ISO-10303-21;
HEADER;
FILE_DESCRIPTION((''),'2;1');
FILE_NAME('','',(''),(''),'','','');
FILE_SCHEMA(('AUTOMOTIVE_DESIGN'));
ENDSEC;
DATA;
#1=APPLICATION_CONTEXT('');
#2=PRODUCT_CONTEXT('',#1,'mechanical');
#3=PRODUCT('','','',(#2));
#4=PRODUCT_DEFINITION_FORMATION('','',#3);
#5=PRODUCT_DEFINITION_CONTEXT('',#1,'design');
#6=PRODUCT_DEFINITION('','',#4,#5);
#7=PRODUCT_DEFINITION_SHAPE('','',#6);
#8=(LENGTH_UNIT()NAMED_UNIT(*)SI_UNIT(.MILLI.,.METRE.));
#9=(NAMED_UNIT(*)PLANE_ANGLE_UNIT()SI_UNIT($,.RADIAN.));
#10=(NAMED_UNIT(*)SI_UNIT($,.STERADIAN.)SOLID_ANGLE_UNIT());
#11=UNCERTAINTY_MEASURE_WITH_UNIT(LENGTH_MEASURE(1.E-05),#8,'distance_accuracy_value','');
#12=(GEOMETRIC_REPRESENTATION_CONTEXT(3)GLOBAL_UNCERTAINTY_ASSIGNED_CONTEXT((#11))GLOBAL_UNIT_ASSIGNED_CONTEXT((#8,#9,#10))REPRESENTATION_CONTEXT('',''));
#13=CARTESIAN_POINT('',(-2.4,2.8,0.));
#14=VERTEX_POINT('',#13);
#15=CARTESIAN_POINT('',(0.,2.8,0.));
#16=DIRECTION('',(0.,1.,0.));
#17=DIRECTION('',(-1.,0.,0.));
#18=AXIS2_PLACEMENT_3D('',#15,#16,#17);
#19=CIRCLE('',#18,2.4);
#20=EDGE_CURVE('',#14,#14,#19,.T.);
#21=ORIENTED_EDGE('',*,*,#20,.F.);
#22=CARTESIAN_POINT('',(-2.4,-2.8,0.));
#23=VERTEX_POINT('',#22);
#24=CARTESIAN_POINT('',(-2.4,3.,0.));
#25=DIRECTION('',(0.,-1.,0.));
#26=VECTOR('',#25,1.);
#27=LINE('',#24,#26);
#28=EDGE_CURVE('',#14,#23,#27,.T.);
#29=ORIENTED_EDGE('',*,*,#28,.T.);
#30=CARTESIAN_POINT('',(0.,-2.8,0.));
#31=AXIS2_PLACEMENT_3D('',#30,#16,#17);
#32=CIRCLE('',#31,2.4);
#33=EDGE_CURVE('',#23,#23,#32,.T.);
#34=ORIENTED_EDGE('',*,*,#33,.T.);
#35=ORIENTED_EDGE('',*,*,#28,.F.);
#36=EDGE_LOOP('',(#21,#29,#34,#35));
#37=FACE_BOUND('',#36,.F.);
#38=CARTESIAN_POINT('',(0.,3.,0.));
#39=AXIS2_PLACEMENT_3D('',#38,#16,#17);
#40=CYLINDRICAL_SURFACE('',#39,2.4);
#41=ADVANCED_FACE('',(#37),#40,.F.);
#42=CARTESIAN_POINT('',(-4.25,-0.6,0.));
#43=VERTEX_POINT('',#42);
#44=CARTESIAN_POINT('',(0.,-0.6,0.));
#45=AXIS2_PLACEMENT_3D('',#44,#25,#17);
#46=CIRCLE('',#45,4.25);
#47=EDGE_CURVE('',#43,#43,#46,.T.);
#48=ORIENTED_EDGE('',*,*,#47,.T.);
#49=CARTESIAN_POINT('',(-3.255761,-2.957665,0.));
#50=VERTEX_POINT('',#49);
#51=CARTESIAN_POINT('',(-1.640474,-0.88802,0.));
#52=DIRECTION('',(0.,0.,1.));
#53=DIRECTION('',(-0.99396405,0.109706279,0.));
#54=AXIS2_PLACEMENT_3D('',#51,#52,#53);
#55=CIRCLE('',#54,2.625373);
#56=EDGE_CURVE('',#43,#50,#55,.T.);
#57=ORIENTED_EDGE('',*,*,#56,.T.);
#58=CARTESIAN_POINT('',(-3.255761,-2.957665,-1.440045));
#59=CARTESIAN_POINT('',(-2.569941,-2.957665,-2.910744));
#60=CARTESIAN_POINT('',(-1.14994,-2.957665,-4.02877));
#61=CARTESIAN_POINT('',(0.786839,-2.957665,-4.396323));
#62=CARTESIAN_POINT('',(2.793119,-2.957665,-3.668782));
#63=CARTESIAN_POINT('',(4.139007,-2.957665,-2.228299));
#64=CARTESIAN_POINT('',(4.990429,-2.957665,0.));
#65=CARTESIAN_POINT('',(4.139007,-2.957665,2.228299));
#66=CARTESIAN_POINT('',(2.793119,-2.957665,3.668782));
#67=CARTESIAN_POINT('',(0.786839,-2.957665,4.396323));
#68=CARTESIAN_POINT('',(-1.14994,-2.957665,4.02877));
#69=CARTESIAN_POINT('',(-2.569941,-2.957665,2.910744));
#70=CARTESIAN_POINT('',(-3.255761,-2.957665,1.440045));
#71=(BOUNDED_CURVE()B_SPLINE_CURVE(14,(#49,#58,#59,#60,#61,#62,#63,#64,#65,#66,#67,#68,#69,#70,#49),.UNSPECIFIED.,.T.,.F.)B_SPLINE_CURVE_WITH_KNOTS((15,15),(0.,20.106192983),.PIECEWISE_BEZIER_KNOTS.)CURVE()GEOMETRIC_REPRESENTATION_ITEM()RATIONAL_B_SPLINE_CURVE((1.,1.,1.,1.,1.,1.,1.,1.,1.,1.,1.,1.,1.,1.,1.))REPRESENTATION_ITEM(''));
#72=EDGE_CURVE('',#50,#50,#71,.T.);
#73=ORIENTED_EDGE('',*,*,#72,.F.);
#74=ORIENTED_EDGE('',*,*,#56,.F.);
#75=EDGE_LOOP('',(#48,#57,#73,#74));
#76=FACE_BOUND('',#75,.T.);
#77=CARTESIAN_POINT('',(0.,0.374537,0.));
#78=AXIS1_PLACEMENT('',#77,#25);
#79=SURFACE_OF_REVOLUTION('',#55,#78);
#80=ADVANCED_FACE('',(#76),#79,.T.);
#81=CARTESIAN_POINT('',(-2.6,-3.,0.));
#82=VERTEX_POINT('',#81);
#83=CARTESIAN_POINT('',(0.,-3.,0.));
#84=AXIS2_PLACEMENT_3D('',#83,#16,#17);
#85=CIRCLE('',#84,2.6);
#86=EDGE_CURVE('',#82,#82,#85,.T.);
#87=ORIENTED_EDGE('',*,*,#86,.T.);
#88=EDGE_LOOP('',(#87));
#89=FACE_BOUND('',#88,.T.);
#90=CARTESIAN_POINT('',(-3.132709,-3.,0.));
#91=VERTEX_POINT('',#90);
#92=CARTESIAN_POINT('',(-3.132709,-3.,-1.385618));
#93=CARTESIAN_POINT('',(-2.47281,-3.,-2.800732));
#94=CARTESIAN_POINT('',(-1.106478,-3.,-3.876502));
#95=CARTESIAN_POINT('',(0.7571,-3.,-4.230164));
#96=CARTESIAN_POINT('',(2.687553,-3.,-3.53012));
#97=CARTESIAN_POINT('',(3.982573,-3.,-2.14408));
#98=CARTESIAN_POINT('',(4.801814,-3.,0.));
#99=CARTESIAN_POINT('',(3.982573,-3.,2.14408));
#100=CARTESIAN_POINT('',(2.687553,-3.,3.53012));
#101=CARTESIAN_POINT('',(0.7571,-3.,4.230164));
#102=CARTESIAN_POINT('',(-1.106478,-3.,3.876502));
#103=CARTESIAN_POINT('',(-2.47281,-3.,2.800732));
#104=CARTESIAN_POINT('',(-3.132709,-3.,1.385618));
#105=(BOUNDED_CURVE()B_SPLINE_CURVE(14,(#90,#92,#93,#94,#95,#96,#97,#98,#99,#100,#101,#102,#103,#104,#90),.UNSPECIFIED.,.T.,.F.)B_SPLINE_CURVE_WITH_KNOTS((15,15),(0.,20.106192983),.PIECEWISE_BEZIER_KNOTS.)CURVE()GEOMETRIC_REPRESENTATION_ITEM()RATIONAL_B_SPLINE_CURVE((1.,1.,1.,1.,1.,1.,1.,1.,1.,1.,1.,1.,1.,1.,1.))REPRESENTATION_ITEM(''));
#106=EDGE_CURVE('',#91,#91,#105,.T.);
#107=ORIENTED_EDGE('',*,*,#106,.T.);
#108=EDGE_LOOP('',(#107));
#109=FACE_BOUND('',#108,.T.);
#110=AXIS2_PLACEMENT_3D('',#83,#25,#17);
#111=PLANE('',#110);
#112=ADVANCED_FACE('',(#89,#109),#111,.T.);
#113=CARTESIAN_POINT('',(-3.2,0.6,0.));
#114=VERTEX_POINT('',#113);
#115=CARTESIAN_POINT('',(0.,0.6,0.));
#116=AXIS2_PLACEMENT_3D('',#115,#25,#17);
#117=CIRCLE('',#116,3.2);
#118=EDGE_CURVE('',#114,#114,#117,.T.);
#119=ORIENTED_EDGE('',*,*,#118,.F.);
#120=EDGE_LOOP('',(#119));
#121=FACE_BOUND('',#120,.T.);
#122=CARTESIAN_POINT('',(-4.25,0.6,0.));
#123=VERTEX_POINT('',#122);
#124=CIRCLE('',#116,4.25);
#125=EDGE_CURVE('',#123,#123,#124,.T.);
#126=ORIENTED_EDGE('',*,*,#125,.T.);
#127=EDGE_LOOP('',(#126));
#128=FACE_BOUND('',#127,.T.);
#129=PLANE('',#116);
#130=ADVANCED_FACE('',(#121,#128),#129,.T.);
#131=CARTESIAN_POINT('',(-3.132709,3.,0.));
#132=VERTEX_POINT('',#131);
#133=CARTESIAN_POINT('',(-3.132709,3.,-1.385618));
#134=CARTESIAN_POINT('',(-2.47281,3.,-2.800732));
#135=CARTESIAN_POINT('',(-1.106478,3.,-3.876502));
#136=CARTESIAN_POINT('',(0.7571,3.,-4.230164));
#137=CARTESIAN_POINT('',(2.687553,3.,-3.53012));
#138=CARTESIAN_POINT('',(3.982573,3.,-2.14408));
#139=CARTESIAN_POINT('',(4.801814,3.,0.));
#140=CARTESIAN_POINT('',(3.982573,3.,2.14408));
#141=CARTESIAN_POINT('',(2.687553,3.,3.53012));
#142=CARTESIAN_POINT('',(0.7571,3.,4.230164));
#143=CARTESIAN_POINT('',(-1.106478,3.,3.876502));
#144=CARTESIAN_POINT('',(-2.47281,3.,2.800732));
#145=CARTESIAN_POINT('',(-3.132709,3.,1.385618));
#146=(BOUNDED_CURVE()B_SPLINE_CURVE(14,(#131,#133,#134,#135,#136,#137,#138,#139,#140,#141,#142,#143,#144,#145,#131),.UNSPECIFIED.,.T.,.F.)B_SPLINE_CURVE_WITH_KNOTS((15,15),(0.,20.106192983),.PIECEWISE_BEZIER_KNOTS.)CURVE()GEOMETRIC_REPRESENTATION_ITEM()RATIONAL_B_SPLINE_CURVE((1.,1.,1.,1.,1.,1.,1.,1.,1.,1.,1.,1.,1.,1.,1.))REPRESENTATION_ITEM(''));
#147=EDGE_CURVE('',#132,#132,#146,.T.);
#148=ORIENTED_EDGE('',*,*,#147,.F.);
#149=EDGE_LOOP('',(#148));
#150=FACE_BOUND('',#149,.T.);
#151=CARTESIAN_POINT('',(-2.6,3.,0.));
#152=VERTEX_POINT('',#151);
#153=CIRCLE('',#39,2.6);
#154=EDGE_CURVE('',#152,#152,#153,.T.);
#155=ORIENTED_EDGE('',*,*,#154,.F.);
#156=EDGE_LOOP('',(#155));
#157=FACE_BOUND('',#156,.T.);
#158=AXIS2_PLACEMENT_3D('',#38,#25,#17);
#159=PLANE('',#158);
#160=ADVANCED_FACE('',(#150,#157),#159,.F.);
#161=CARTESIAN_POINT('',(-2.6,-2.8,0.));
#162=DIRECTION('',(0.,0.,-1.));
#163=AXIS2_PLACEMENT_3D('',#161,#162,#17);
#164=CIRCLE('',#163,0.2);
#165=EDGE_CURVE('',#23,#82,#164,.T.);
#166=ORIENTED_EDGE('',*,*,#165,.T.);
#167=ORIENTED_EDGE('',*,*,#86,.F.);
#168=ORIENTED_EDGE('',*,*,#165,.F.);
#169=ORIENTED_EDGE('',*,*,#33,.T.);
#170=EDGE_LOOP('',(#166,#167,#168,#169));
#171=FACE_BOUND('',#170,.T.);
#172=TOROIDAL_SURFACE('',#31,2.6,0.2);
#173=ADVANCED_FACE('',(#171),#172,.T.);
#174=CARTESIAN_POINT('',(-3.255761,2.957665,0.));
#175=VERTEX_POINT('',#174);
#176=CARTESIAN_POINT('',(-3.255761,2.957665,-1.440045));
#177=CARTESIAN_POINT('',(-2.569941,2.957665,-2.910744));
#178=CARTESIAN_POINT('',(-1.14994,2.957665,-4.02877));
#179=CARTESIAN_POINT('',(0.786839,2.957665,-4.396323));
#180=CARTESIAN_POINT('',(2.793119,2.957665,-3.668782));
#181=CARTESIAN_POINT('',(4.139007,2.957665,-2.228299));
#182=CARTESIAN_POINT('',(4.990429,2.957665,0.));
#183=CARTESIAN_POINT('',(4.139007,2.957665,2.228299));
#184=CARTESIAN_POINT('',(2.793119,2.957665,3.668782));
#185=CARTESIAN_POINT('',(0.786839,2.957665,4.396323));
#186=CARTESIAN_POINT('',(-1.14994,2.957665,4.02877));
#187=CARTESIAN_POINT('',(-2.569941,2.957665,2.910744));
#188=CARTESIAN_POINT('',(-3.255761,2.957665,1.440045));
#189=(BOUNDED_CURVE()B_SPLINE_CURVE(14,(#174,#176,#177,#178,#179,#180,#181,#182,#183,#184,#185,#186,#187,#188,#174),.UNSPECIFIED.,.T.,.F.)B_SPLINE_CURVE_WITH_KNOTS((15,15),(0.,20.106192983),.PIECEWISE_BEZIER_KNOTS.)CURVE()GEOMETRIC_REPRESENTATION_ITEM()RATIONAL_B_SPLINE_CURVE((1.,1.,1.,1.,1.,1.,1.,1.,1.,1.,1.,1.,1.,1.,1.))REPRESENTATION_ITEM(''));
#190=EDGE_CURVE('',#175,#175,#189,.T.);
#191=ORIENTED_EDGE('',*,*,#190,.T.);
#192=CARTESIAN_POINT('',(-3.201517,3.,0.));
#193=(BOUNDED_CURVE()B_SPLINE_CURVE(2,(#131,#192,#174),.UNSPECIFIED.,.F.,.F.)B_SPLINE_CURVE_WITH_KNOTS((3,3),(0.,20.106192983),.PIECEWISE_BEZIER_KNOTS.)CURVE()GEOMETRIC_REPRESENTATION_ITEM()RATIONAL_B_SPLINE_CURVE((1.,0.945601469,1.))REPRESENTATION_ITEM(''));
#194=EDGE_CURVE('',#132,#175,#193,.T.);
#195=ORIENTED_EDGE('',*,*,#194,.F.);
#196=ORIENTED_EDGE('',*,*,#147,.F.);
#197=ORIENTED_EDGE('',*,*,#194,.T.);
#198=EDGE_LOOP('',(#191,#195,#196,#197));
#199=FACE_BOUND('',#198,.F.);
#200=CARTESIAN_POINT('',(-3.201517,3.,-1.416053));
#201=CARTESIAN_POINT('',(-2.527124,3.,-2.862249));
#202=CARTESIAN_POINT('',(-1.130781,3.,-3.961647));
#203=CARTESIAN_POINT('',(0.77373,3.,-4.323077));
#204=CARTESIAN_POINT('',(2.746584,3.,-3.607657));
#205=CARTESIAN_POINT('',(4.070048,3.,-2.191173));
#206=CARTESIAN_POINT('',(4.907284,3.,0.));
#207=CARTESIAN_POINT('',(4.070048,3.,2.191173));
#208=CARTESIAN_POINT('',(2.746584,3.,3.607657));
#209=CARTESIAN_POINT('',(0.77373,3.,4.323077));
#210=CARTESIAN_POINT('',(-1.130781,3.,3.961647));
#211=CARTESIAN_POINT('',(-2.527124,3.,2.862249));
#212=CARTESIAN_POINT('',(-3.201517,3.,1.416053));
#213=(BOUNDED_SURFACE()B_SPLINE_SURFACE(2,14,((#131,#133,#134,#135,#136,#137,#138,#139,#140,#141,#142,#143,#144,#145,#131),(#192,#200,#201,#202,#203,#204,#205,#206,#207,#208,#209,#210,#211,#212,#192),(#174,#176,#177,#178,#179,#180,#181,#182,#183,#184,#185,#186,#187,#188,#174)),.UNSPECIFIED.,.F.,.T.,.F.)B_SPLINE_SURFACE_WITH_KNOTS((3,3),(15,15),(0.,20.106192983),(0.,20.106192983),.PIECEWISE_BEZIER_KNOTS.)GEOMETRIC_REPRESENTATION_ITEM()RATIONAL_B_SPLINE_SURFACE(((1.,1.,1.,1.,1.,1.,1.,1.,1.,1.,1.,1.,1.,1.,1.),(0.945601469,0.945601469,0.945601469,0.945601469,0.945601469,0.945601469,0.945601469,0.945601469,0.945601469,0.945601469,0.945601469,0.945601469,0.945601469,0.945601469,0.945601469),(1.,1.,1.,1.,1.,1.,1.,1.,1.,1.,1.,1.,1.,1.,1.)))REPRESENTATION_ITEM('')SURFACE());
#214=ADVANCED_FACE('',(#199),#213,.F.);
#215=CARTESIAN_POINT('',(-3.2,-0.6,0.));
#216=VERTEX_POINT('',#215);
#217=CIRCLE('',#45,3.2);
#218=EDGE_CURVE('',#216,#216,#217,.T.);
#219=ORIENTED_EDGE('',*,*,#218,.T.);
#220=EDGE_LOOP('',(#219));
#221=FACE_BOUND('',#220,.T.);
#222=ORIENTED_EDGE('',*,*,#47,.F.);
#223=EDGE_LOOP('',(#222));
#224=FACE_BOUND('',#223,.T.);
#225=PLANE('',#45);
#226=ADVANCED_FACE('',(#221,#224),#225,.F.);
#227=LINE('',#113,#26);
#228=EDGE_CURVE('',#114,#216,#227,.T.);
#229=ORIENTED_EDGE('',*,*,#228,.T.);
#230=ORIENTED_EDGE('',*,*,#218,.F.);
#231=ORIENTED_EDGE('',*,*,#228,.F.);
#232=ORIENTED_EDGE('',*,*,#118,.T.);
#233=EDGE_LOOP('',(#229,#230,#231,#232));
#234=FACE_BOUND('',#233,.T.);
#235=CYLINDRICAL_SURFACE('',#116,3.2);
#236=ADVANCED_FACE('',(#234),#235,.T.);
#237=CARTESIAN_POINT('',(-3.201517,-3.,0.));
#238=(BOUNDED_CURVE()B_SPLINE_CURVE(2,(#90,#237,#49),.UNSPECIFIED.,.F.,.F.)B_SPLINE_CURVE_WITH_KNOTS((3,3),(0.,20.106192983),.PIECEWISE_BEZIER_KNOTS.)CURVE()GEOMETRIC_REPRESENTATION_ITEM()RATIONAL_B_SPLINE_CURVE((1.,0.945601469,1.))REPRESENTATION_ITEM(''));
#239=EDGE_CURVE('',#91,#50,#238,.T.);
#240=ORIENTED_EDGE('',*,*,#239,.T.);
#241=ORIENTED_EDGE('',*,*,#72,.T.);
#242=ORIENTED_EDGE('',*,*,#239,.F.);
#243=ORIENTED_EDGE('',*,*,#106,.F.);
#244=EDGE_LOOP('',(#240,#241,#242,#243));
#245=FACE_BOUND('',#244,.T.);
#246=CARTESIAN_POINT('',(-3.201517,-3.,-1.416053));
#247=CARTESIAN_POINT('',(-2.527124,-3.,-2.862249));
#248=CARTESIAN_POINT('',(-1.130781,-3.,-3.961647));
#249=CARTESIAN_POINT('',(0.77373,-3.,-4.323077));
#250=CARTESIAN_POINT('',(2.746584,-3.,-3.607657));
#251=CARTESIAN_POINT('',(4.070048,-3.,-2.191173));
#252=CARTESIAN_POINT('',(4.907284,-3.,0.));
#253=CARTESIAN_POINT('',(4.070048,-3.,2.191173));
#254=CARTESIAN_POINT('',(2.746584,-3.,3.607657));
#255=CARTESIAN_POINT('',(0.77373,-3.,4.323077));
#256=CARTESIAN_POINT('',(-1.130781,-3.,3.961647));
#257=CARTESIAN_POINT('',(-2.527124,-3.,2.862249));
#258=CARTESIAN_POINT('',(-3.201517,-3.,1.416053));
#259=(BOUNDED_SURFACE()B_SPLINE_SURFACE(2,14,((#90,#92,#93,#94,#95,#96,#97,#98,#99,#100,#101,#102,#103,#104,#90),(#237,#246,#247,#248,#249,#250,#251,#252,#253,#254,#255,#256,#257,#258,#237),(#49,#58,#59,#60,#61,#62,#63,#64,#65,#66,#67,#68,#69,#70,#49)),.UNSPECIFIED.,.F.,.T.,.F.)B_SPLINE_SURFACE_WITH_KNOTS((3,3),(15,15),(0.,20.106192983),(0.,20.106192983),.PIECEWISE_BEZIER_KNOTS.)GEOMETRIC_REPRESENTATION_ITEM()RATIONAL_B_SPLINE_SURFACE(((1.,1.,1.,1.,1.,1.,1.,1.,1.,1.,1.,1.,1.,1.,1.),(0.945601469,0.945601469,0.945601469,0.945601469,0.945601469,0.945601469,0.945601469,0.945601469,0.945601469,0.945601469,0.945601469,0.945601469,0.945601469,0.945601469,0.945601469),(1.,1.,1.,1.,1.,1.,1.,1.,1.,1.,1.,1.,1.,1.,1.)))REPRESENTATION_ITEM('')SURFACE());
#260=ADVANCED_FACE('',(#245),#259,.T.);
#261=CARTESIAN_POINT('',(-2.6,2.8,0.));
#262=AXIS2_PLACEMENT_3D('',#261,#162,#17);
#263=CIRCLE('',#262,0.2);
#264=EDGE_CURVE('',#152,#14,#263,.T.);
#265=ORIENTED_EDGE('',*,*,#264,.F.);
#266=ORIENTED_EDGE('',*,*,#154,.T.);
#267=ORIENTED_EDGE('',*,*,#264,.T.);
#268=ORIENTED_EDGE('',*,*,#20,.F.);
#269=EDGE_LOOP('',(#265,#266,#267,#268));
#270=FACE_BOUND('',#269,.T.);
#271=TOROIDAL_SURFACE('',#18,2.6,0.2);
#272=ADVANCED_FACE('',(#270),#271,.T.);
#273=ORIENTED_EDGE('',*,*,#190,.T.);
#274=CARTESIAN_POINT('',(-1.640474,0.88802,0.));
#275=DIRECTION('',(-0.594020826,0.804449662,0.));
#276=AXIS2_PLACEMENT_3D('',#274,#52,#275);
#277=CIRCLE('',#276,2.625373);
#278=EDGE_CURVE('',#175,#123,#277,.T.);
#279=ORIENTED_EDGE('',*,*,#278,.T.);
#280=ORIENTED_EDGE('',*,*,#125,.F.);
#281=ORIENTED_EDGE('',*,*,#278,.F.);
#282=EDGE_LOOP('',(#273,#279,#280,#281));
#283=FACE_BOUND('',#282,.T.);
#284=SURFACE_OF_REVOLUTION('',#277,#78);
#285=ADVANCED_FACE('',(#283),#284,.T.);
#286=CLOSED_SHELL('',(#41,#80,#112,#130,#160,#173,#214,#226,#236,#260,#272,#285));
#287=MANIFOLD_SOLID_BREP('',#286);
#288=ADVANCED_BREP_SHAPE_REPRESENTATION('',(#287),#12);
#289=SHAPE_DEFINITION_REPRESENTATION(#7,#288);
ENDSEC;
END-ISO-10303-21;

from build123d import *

# Parameters (mm, degrees)
F2_R     = 2.4
F3_DEPTH = 6
F4_R     = 0.2


with BuildPart() as f1:
    # F0 (on Top) → F1 (revolve)
    with BuildSketch(Plane.XY):
        with BuildLine():
            Line((0, 0), (0, 3))
            Line((0, 3), (-3.2, 3))
            ThreePointArc((-3.2, 3), (-4.0457283791, 1.9403186658), (-4.25, 0.6))
            Line((-4.25, 0.6), (-3.2, 0.6))
            Line((-3.2, 0.6), (-3.2, 0))
            Line((-3.2, 0), (0, 0))
        make_face()
        with BuildLine():
            Line((0, -3), (0, 0))
            Line((0, 0), (-3.2, 0))
            Line((-3.2, 0), (-3.2, -0.6))
            Line((-3.2, -0.6), (-4.25, -0.6))
            ThreePointArc((-4.25, -0.6), (-4.0457283791, -1.9403186658), (-3.2, -3))
            Line((-3.2, -3), (0, -3))
        make_face()
    revolve(axis=Axis((0, 0.3745369613, 0), (0, -1, 0)))

    # F2 (on face) → F3 (cut, through all)
    with BuildSketch(Plane(origin=(0, 3, 0), x_dir=(-1, 0, 0), z_dir=(0, 1, 0))):
        Circle(F2_R)
    extrude(amount=-F3_DEPTH, mode=Mode.SUBTRACT)

    # F4
    f4_edges = [f1.edges().sort_by_distance(p)[0] for p in [
        (2.4, 3, 0),
        (3.2, 3, 0),
        (2.4, -3, 0),
        (3.2, -3, 0),
    ]]
    fillet(f4_edges, radius=F4_R)


solid = f1.part
